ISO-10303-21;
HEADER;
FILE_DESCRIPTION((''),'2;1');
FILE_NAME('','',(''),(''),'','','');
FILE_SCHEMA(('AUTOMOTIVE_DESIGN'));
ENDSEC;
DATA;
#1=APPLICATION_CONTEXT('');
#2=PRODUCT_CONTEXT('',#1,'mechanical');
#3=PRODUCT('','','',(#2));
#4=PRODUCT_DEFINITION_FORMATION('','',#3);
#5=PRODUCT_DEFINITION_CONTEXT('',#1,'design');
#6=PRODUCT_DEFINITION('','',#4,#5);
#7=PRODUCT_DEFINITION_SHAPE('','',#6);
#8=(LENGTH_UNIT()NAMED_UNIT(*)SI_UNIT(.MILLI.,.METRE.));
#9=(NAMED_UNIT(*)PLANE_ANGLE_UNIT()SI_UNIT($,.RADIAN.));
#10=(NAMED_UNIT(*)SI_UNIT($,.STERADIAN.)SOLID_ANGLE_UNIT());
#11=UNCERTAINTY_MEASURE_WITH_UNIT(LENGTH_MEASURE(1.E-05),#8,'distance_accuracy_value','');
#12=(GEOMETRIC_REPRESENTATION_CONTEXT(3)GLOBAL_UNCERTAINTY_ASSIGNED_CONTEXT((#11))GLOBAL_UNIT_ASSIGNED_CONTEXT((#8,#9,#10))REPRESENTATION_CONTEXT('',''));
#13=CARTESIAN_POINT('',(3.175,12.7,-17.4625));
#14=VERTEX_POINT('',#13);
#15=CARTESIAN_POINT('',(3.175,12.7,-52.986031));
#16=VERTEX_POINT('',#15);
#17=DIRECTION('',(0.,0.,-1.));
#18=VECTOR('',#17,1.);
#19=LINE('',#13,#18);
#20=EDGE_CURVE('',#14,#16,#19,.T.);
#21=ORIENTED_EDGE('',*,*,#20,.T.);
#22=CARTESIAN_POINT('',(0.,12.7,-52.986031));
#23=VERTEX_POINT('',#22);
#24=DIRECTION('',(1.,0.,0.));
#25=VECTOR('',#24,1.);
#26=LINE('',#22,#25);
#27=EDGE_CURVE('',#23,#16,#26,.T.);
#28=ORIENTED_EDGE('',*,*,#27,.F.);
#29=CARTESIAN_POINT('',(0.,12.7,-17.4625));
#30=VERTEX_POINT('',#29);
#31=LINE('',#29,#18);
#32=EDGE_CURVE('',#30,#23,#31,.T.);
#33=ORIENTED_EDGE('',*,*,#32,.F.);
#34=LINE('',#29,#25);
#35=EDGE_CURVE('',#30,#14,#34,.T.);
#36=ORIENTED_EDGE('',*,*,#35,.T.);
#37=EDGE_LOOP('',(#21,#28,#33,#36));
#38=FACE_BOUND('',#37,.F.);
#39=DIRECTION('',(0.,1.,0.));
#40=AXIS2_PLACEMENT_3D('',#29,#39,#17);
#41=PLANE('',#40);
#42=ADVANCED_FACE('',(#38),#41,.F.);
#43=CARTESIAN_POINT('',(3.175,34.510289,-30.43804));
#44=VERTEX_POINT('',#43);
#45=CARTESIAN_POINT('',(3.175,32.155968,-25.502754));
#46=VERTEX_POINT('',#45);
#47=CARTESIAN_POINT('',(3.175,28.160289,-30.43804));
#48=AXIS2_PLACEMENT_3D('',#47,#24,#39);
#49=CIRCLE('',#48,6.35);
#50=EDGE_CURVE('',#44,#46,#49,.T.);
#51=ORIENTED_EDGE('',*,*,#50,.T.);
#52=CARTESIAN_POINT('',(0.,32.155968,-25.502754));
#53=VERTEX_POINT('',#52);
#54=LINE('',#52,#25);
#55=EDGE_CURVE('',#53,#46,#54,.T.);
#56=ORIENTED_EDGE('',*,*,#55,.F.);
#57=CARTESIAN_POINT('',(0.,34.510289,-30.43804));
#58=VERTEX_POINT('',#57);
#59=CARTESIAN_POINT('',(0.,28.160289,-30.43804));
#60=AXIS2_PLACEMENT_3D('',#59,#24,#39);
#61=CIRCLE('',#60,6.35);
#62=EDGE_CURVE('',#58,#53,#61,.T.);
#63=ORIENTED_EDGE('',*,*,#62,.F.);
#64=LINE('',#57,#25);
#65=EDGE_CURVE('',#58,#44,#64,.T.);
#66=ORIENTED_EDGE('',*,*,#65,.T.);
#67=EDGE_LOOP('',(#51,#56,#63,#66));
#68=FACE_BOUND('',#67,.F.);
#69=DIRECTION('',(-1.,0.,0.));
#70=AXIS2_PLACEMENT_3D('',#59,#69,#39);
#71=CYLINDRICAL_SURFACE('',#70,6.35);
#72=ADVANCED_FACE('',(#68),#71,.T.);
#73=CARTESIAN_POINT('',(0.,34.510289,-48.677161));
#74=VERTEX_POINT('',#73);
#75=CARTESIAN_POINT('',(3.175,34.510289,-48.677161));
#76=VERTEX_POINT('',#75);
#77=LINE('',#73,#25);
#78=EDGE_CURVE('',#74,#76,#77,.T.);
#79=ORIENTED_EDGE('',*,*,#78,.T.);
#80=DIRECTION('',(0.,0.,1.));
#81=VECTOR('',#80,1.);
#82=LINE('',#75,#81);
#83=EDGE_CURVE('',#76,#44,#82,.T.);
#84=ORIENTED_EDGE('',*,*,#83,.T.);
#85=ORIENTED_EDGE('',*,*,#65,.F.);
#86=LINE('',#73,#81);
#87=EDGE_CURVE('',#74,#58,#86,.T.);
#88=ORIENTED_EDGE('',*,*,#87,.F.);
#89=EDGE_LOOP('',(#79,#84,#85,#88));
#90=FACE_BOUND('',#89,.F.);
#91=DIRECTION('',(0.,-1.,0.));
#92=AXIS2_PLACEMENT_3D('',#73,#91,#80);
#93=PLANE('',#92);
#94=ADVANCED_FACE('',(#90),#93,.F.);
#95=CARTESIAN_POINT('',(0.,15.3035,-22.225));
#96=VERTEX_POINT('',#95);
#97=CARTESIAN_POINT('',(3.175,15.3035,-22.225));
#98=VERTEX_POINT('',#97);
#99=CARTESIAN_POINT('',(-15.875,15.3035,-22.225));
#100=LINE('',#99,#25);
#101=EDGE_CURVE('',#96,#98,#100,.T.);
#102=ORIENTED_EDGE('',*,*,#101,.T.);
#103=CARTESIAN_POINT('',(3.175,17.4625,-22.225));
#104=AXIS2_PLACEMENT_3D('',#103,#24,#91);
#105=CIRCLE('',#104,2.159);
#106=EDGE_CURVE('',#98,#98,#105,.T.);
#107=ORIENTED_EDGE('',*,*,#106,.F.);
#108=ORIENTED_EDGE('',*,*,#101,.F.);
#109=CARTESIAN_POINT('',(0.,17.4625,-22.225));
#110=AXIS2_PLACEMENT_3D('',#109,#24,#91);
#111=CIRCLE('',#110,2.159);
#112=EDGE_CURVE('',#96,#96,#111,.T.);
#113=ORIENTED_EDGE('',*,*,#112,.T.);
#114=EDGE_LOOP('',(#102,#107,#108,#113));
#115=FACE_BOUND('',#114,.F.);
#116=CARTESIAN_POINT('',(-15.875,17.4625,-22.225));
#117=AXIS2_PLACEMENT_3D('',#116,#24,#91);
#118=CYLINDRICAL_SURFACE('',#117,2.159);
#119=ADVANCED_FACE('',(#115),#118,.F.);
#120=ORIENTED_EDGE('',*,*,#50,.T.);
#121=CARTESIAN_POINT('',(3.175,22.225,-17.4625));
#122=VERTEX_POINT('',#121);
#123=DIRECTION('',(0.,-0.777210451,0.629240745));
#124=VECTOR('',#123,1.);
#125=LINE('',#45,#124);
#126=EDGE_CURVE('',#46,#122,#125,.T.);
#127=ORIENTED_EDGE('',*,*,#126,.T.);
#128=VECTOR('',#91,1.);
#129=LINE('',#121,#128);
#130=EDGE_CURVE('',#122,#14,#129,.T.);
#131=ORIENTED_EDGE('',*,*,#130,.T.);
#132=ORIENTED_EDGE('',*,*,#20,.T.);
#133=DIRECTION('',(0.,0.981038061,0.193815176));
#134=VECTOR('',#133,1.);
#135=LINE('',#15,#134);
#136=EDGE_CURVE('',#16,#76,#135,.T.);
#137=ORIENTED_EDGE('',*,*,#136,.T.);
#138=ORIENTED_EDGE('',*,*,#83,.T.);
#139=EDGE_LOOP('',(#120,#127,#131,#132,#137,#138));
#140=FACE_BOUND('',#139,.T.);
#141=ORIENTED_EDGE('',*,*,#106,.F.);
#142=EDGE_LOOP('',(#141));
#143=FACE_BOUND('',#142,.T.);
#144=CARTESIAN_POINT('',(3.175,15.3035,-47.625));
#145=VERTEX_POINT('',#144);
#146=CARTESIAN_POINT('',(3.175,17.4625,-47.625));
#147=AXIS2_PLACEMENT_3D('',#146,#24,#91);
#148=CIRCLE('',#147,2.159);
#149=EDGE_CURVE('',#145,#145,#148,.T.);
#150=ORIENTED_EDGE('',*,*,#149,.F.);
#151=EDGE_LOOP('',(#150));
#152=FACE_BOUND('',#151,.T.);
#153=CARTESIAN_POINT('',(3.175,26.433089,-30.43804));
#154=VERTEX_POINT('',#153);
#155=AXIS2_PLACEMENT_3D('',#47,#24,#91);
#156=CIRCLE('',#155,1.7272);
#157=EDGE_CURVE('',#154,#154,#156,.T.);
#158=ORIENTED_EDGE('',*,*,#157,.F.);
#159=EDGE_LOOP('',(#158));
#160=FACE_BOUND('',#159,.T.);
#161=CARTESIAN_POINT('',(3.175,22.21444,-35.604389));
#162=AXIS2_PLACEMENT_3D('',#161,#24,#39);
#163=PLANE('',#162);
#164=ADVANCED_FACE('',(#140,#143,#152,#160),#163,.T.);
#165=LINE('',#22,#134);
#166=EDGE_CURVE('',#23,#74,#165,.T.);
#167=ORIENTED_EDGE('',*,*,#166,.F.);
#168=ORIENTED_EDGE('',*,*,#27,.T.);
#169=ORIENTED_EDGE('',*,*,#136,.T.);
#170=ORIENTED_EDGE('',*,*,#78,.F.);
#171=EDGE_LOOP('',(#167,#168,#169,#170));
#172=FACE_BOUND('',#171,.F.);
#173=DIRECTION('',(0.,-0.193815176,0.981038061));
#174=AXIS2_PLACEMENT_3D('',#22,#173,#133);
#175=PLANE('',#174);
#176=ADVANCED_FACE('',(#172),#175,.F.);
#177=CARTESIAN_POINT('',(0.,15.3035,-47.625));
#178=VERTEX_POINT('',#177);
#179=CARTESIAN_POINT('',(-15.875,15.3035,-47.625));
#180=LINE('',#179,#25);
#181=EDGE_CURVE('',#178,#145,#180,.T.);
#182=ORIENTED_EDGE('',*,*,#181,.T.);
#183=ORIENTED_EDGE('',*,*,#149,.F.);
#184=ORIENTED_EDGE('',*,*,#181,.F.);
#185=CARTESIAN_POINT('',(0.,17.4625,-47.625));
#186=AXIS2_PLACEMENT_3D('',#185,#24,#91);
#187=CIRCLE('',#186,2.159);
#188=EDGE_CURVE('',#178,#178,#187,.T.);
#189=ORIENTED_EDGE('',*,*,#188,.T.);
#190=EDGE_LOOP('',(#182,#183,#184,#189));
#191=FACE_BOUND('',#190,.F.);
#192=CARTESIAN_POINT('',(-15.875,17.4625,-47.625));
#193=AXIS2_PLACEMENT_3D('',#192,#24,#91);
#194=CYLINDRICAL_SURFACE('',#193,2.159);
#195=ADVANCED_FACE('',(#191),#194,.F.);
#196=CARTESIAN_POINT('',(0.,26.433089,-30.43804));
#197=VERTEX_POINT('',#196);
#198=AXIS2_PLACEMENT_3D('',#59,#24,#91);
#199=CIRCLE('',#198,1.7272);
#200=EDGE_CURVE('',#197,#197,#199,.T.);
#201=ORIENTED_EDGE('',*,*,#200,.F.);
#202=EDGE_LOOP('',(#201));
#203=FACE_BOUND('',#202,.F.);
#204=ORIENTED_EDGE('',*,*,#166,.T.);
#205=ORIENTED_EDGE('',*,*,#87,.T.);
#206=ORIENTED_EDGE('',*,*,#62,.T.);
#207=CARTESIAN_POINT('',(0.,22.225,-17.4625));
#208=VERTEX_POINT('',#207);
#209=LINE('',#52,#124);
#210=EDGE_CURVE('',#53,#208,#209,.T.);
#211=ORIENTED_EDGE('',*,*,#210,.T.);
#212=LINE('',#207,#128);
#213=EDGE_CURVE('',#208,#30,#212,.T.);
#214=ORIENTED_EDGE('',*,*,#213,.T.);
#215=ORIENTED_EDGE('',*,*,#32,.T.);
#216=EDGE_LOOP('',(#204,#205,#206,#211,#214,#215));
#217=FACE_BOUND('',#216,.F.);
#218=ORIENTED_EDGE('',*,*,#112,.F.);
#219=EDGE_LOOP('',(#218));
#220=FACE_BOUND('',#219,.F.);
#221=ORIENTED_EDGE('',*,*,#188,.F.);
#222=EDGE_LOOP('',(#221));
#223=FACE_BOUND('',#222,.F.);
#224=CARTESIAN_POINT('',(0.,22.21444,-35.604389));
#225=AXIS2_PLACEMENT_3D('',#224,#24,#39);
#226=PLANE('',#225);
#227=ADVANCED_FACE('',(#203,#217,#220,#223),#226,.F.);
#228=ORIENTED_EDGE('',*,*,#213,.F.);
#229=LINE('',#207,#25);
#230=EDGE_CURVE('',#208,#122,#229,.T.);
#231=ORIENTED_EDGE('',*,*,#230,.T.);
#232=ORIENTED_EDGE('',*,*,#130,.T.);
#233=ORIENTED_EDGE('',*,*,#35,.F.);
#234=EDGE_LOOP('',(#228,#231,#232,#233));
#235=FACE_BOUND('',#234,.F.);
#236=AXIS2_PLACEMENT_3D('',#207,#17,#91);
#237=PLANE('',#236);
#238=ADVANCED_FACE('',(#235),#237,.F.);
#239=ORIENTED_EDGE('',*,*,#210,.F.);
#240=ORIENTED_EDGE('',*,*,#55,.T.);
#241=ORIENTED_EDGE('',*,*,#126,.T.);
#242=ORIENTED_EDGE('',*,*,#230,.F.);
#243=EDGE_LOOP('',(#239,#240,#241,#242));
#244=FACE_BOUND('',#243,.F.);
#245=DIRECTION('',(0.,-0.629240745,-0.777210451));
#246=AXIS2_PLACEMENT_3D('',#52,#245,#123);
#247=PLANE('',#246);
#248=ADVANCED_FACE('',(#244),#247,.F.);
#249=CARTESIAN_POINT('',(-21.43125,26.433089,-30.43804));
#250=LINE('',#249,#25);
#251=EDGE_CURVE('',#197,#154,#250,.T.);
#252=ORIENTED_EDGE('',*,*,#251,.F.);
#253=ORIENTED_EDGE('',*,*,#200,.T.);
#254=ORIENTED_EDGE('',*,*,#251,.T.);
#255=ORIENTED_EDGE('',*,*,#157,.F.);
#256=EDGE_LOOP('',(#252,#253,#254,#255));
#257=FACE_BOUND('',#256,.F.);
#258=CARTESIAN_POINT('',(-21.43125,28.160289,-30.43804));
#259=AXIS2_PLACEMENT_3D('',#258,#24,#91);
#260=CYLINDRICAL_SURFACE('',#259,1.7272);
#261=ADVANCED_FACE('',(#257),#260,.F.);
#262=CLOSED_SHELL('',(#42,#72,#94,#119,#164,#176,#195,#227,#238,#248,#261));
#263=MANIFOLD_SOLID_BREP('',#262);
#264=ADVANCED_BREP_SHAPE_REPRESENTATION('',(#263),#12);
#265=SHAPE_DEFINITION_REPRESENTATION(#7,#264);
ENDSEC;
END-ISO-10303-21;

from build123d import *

# Parameters (mm, degrees)
F1_DEPTH = 3.175
F2_D     = 3.4544
F2_DEPTH = 21.43125
F2_TIP   = 1.0378064612
F3_D     = 4.318
F3_DEPTH = 15.875
F3_TIP   = 1.2972580765


with BuildPart() as f1:
    # F0 (on Right) → F1 (new body)
    with BuildSketch(Plane.YZ):
        with BuildLine():
            Line((16.1557392643, -17.4625), (12.7, -17.4625))
            Line((12.7, -17.4625), (12.7, -52.986030559))
            Line((12.7, -52.986030559), (34.5102887852, -48.6771610688))
            Line((34.5102887852, -48.6771610688), (34.5102887852, -30.4380403067))
            ThreePointArc((34.5102887852, -30.4380403067), (33.8915652541, -27.7040011635), (32.1559675137, -25.5027539424))
            Line((32.1559675137, -25.5027539424), (22.225, -17.4625))
            Line((22.225, -17.4625), (16.1557392643, -17.4625))
        make_face()
    extrude(amount=F1_DEPTH)

    # F2
    with Locations(Plane(origin=(0, 0, 0), x_dir=(0, 1, 0), z_dir=(-1, 0, 0))):
        with Locations((28.1602887852, 30.4380403067)):
            Hole(F2_D / 2, depth=F2_DEPTH)
            with Locations((0, 0, -(F2_DEPTH + F2_TIP / 2))):  # 118° drill point
                Cone(0, F2_D / 2, F2_TIP, mode=Mode.SUBTRACT)

    # F3
    with Locations(Plane(origin=(0, 0, 0), x_dir=(0, 1, 0), z_dir=(-1, 0, 0))):
        with Locations((17.4625, 22.225), (17.4625, 47.625)):
            Hole(F3_D / 2, depth=F3_DEPTH)
            with Locations((0, 0, -(F3_DEPTH + F3_TIP / 2))):  # 118° drill point
                Cone(0, F3_D / 2, F3_TIP, mode=Mode.SUBTRACT)


solid = f1.part
